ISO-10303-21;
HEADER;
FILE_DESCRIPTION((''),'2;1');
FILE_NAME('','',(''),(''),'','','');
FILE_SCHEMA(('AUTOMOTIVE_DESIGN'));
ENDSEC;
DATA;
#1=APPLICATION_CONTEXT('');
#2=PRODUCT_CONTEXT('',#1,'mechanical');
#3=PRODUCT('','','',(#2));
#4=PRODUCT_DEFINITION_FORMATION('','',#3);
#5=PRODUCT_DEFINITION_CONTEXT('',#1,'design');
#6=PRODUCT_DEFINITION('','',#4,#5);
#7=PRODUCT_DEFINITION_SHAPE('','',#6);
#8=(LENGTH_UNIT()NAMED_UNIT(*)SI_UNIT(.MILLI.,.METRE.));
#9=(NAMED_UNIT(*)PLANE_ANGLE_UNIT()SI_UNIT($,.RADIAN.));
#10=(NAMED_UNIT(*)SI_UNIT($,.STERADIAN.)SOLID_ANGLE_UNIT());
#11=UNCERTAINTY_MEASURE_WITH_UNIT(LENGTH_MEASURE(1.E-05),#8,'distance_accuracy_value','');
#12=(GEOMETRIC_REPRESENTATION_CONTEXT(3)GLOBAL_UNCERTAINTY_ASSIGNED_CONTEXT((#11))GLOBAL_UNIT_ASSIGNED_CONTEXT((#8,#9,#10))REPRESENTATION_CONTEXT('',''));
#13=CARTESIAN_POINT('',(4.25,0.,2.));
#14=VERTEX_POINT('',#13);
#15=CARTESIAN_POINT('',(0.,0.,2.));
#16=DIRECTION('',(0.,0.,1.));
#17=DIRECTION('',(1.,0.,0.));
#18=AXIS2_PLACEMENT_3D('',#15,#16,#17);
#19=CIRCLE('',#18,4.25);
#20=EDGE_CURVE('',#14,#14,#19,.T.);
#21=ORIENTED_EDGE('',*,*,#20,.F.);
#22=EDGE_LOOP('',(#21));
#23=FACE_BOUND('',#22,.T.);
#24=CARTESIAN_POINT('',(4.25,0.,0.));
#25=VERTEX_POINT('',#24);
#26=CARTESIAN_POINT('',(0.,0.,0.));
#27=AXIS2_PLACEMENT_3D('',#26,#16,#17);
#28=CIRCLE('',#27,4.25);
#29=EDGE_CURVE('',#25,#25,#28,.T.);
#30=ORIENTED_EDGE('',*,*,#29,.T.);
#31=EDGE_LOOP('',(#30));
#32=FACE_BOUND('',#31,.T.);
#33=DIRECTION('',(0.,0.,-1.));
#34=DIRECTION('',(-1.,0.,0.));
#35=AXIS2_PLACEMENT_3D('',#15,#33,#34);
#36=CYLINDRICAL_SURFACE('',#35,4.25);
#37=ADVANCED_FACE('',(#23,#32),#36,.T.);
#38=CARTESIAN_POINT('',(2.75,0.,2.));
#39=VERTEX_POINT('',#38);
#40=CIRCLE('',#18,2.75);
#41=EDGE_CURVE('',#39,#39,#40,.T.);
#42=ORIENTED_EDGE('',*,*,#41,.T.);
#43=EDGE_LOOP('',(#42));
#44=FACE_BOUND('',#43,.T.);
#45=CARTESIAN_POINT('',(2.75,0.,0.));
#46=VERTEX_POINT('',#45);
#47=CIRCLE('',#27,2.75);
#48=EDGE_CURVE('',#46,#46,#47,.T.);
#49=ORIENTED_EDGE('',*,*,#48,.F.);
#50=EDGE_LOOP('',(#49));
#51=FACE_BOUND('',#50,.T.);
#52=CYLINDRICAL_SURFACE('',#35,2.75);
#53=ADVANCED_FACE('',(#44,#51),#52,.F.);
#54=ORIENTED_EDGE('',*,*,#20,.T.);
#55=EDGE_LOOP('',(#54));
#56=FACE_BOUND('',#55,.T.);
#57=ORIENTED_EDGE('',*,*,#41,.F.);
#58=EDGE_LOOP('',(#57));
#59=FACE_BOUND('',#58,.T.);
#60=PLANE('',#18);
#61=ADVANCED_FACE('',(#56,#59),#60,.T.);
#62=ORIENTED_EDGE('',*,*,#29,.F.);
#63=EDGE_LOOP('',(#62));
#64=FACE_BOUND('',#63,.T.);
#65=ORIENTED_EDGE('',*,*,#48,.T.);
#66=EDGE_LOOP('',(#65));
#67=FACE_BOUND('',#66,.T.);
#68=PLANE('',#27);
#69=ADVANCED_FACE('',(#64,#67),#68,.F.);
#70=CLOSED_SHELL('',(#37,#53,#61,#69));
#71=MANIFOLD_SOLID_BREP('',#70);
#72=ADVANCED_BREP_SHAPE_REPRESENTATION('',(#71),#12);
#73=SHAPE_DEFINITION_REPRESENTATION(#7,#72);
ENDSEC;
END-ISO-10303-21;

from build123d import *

# Parameters (mm, degrees)
SKETCH1_R           = 4.25
SKETCH1_R_2         = 2.75
BOSS_EXTRUDE1_DEPTH = 2


with BuildPart() as part:
    # Sketch1 → Boss-Extrude1 (new body)
    with BuildSketch(Plane.XY):
        Circle(SKETCH1_R)
        Circle(SKETCH1_R_2, mode=Mode.SUBTRACT)
    extrude(amount=BOSS_EXTRUDE1_DEPTH)


solid = part.part
